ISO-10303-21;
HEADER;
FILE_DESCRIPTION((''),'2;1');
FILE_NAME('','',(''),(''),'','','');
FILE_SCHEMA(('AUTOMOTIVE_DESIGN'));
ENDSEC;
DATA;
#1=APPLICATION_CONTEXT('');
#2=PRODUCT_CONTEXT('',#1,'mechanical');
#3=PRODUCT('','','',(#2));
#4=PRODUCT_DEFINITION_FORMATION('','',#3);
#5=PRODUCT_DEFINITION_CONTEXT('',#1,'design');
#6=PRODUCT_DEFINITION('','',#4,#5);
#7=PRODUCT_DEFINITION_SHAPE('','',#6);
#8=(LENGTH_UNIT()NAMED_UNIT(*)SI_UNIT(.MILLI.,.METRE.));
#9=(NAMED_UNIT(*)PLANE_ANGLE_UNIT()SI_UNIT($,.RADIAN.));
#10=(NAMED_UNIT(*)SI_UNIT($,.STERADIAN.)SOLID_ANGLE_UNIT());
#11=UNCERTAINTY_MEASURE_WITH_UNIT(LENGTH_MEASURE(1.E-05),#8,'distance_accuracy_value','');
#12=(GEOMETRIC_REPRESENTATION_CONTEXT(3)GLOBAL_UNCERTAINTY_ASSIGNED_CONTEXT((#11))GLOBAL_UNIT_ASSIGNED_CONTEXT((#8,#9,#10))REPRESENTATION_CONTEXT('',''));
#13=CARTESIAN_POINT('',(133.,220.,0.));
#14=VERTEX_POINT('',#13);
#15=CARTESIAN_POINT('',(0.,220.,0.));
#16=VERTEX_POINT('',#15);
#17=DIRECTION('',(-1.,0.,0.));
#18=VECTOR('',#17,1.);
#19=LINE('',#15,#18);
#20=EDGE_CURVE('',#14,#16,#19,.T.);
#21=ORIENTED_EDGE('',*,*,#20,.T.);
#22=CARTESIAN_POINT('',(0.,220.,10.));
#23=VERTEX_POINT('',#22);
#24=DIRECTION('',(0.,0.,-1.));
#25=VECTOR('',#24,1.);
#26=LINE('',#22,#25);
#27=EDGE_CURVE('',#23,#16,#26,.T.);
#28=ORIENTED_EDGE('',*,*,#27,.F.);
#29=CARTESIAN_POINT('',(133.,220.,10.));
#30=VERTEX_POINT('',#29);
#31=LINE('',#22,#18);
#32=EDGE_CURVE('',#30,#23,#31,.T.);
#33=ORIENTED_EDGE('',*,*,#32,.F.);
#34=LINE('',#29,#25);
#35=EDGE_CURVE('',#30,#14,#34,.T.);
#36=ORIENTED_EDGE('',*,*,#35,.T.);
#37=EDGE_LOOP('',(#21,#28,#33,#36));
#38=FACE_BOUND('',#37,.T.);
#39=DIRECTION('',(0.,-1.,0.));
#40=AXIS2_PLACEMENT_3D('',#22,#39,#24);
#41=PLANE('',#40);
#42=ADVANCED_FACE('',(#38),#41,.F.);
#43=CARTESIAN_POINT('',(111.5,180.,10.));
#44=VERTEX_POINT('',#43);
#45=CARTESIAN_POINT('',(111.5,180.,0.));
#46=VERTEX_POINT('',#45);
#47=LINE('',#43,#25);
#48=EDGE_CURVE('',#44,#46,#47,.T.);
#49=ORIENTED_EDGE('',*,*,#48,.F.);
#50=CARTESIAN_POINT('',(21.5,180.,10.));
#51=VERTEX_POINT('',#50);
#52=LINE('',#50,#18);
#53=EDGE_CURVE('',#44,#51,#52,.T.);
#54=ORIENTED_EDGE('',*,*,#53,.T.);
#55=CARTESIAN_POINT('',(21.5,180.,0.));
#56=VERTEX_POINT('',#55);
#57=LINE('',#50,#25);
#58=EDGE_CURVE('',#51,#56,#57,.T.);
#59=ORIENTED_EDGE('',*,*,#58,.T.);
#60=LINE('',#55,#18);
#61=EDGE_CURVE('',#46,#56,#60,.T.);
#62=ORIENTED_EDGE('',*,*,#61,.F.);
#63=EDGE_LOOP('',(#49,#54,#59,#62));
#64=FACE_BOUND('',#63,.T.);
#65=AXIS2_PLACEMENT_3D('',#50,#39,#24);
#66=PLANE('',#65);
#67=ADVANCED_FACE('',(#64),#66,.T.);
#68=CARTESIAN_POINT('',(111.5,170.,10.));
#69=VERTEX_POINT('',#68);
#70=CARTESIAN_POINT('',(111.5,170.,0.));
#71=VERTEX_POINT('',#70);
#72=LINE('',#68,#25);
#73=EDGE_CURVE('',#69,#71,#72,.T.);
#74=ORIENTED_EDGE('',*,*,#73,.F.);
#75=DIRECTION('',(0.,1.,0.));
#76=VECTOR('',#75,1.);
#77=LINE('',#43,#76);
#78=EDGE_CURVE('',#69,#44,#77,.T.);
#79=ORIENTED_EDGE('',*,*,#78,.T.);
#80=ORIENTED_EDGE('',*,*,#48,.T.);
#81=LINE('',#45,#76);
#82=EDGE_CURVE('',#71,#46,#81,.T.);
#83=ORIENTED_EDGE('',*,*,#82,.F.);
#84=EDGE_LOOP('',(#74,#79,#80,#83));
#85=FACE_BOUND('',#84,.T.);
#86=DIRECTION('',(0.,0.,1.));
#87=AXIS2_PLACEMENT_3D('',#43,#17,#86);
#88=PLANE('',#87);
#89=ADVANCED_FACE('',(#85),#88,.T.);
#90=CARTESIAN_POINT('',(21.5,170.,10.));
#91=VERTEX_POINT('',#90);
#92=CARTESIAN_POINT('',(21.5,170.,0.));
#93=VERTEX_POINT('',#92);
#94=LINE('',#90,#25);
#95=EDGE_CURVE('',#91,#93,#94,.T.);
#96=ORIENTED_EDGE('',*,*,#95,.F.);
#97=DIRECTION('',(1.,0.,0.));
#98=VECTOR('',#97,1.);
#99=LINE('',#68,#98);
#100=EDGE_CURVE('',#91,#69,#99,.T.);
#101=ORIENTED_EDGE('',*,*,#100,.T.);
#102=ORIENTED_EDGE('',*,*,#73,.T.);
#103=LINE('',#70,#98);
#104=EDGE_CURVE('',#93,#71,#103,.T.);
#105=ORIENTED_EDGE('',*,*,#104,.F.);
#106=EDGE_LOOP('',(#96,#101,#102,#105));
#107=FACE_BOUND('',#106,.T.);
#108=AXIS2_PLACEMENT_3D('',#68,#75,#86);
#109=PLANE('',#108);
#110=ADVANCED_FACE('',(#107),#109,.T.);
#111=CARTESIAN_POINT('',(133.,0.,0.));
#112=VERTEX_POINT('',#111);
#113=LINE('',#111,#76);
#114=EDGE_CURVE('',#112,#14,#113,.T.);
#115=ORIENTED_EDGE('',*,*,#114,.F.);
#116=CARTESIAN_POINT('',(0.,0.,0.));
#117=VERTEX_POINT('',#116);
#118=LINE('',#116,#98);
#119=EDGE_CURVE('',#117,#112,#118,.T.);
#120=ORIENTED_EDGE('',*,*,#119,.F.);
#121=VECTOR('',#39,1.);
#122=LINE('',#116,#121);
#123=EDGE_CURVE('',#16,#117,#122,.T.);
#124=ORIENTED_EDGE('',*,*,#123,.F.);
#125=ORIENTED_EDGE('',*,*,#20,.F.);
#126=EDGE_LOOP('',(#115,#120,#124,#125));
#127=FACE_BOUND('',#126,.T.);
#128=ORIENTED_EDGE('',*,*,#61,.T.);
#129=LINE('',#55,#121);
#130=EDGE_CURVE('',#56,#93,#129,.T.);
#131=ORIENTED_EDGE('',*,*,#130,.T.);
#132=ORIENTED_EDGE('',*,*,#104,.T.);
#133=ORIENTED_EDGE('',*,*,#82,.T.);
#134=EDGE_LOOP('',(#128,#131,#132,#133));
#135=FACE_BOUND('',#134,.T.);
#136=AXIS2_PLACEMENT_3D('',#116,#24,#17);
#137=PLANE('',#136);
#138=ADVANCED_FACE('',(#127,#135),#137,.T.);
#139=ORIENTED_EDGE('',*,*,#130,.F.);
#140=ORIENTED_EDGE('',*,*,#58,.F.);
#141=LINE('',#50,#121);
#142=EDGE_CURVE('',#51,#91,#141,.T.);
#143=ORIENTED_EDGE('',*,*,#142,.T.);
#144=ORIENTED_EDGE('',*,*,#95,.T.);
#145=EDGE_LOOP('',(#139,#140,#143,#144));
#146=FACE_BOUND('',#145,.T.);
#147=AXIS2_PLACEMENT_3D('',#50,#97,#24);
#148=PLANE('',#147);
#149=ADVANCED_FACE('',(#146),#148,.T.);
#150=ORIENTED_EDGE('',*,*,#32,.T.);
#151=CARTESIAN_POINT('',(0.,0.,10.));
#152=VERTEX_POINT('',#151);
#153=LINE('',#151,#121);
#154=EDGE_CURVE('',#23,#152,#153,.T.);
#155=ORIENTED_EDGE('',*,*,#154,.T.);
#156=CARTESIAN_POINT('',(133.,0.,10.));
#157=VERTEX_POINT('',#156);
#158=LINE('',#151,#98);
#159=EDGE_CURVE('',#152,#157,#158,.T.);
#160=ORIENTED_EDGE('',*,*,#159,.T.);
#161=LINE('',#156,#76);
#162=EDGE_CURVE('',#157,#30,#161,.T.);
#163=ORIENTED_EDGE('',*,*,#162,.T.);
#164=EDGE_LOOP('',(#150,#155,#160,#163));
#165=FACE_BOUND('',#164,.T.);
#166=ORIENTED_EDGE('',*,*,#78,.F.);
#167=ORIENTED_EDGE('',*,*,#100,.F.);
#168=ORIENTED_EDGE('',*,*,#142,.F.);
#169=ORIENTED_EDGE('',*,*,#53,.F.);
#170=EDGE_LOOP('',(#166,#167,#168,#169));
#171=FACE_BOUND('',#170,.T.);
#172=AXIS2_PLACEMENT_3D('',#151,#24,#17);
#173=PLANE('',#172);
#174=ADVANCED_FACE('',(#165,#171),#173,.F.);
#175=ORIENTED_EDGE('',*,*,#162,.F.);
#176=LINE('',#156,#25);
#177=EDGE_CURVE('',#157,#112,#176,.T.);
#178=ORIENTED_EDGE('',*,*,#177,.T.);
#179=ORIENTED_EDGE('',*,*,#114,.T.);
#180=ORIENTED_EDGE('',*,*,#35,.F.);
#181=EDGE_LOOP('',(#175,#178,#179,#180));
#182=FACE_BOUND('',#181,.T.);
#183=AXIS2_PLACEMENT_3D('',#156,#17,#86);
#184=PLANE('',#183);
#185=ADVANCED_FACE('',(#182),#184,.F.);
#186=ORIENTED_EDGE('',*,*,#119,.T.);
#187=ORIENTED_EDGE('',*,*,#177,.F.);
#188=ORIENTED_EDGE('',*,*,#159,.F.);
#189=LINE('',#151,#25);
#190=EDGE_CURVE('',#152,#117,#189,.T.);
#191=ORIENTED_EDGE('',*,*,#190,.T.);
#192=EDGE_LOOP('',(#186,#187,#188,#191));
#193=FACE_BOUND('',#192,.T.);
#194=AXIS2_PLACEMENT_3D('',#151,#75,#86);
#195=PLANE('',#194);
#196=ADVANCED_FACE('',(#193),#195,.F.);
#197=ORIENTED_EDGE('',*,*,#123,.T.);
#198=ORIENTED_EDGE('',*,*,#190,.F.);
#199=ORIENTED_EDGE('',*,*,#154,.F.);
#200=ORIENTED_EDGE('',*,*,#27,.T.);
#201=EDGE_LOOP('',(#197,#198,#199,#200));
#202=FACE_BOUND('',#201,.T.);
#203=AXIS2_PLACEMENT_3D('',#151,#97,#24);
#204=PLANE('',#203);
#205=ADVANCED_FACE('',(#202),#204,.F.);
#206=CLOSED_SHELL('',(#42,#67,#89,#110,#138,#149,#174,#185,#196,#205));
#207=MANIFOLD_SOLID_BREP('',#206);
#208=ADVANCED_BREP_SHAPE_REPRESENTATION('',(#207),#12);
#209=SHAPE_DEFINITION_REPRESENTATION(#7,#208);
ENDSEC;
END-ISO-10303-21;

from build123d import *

# Parameters (mm, degrees)
ESQUISSE1_W        = 133
ESQUISSE1_H        = 220
ESQUISSE1_W_2      = 90
ESQUISSE1_H_2      = 10
BOSS_EXTRU_1_DEPTH = 10


with BuildPart() as part:
    # Esquisse1 → Boss.-Extru.1 (new body)
    with BuildSketch(Plane.XY):
        with Locations((66.5, 110)):
            Rectangle(ESQUISSE1_W, ESQUISSE1_H)
        with Locations((66.5, 175)):
            Rectangle(ESQUISSE1_W_2, ESQUISSE1_H_2, mode=Mode.SUBTRACT)
    extrude(amount=BOSS_EXTRU_1_DEPTH)


solid = part.part
